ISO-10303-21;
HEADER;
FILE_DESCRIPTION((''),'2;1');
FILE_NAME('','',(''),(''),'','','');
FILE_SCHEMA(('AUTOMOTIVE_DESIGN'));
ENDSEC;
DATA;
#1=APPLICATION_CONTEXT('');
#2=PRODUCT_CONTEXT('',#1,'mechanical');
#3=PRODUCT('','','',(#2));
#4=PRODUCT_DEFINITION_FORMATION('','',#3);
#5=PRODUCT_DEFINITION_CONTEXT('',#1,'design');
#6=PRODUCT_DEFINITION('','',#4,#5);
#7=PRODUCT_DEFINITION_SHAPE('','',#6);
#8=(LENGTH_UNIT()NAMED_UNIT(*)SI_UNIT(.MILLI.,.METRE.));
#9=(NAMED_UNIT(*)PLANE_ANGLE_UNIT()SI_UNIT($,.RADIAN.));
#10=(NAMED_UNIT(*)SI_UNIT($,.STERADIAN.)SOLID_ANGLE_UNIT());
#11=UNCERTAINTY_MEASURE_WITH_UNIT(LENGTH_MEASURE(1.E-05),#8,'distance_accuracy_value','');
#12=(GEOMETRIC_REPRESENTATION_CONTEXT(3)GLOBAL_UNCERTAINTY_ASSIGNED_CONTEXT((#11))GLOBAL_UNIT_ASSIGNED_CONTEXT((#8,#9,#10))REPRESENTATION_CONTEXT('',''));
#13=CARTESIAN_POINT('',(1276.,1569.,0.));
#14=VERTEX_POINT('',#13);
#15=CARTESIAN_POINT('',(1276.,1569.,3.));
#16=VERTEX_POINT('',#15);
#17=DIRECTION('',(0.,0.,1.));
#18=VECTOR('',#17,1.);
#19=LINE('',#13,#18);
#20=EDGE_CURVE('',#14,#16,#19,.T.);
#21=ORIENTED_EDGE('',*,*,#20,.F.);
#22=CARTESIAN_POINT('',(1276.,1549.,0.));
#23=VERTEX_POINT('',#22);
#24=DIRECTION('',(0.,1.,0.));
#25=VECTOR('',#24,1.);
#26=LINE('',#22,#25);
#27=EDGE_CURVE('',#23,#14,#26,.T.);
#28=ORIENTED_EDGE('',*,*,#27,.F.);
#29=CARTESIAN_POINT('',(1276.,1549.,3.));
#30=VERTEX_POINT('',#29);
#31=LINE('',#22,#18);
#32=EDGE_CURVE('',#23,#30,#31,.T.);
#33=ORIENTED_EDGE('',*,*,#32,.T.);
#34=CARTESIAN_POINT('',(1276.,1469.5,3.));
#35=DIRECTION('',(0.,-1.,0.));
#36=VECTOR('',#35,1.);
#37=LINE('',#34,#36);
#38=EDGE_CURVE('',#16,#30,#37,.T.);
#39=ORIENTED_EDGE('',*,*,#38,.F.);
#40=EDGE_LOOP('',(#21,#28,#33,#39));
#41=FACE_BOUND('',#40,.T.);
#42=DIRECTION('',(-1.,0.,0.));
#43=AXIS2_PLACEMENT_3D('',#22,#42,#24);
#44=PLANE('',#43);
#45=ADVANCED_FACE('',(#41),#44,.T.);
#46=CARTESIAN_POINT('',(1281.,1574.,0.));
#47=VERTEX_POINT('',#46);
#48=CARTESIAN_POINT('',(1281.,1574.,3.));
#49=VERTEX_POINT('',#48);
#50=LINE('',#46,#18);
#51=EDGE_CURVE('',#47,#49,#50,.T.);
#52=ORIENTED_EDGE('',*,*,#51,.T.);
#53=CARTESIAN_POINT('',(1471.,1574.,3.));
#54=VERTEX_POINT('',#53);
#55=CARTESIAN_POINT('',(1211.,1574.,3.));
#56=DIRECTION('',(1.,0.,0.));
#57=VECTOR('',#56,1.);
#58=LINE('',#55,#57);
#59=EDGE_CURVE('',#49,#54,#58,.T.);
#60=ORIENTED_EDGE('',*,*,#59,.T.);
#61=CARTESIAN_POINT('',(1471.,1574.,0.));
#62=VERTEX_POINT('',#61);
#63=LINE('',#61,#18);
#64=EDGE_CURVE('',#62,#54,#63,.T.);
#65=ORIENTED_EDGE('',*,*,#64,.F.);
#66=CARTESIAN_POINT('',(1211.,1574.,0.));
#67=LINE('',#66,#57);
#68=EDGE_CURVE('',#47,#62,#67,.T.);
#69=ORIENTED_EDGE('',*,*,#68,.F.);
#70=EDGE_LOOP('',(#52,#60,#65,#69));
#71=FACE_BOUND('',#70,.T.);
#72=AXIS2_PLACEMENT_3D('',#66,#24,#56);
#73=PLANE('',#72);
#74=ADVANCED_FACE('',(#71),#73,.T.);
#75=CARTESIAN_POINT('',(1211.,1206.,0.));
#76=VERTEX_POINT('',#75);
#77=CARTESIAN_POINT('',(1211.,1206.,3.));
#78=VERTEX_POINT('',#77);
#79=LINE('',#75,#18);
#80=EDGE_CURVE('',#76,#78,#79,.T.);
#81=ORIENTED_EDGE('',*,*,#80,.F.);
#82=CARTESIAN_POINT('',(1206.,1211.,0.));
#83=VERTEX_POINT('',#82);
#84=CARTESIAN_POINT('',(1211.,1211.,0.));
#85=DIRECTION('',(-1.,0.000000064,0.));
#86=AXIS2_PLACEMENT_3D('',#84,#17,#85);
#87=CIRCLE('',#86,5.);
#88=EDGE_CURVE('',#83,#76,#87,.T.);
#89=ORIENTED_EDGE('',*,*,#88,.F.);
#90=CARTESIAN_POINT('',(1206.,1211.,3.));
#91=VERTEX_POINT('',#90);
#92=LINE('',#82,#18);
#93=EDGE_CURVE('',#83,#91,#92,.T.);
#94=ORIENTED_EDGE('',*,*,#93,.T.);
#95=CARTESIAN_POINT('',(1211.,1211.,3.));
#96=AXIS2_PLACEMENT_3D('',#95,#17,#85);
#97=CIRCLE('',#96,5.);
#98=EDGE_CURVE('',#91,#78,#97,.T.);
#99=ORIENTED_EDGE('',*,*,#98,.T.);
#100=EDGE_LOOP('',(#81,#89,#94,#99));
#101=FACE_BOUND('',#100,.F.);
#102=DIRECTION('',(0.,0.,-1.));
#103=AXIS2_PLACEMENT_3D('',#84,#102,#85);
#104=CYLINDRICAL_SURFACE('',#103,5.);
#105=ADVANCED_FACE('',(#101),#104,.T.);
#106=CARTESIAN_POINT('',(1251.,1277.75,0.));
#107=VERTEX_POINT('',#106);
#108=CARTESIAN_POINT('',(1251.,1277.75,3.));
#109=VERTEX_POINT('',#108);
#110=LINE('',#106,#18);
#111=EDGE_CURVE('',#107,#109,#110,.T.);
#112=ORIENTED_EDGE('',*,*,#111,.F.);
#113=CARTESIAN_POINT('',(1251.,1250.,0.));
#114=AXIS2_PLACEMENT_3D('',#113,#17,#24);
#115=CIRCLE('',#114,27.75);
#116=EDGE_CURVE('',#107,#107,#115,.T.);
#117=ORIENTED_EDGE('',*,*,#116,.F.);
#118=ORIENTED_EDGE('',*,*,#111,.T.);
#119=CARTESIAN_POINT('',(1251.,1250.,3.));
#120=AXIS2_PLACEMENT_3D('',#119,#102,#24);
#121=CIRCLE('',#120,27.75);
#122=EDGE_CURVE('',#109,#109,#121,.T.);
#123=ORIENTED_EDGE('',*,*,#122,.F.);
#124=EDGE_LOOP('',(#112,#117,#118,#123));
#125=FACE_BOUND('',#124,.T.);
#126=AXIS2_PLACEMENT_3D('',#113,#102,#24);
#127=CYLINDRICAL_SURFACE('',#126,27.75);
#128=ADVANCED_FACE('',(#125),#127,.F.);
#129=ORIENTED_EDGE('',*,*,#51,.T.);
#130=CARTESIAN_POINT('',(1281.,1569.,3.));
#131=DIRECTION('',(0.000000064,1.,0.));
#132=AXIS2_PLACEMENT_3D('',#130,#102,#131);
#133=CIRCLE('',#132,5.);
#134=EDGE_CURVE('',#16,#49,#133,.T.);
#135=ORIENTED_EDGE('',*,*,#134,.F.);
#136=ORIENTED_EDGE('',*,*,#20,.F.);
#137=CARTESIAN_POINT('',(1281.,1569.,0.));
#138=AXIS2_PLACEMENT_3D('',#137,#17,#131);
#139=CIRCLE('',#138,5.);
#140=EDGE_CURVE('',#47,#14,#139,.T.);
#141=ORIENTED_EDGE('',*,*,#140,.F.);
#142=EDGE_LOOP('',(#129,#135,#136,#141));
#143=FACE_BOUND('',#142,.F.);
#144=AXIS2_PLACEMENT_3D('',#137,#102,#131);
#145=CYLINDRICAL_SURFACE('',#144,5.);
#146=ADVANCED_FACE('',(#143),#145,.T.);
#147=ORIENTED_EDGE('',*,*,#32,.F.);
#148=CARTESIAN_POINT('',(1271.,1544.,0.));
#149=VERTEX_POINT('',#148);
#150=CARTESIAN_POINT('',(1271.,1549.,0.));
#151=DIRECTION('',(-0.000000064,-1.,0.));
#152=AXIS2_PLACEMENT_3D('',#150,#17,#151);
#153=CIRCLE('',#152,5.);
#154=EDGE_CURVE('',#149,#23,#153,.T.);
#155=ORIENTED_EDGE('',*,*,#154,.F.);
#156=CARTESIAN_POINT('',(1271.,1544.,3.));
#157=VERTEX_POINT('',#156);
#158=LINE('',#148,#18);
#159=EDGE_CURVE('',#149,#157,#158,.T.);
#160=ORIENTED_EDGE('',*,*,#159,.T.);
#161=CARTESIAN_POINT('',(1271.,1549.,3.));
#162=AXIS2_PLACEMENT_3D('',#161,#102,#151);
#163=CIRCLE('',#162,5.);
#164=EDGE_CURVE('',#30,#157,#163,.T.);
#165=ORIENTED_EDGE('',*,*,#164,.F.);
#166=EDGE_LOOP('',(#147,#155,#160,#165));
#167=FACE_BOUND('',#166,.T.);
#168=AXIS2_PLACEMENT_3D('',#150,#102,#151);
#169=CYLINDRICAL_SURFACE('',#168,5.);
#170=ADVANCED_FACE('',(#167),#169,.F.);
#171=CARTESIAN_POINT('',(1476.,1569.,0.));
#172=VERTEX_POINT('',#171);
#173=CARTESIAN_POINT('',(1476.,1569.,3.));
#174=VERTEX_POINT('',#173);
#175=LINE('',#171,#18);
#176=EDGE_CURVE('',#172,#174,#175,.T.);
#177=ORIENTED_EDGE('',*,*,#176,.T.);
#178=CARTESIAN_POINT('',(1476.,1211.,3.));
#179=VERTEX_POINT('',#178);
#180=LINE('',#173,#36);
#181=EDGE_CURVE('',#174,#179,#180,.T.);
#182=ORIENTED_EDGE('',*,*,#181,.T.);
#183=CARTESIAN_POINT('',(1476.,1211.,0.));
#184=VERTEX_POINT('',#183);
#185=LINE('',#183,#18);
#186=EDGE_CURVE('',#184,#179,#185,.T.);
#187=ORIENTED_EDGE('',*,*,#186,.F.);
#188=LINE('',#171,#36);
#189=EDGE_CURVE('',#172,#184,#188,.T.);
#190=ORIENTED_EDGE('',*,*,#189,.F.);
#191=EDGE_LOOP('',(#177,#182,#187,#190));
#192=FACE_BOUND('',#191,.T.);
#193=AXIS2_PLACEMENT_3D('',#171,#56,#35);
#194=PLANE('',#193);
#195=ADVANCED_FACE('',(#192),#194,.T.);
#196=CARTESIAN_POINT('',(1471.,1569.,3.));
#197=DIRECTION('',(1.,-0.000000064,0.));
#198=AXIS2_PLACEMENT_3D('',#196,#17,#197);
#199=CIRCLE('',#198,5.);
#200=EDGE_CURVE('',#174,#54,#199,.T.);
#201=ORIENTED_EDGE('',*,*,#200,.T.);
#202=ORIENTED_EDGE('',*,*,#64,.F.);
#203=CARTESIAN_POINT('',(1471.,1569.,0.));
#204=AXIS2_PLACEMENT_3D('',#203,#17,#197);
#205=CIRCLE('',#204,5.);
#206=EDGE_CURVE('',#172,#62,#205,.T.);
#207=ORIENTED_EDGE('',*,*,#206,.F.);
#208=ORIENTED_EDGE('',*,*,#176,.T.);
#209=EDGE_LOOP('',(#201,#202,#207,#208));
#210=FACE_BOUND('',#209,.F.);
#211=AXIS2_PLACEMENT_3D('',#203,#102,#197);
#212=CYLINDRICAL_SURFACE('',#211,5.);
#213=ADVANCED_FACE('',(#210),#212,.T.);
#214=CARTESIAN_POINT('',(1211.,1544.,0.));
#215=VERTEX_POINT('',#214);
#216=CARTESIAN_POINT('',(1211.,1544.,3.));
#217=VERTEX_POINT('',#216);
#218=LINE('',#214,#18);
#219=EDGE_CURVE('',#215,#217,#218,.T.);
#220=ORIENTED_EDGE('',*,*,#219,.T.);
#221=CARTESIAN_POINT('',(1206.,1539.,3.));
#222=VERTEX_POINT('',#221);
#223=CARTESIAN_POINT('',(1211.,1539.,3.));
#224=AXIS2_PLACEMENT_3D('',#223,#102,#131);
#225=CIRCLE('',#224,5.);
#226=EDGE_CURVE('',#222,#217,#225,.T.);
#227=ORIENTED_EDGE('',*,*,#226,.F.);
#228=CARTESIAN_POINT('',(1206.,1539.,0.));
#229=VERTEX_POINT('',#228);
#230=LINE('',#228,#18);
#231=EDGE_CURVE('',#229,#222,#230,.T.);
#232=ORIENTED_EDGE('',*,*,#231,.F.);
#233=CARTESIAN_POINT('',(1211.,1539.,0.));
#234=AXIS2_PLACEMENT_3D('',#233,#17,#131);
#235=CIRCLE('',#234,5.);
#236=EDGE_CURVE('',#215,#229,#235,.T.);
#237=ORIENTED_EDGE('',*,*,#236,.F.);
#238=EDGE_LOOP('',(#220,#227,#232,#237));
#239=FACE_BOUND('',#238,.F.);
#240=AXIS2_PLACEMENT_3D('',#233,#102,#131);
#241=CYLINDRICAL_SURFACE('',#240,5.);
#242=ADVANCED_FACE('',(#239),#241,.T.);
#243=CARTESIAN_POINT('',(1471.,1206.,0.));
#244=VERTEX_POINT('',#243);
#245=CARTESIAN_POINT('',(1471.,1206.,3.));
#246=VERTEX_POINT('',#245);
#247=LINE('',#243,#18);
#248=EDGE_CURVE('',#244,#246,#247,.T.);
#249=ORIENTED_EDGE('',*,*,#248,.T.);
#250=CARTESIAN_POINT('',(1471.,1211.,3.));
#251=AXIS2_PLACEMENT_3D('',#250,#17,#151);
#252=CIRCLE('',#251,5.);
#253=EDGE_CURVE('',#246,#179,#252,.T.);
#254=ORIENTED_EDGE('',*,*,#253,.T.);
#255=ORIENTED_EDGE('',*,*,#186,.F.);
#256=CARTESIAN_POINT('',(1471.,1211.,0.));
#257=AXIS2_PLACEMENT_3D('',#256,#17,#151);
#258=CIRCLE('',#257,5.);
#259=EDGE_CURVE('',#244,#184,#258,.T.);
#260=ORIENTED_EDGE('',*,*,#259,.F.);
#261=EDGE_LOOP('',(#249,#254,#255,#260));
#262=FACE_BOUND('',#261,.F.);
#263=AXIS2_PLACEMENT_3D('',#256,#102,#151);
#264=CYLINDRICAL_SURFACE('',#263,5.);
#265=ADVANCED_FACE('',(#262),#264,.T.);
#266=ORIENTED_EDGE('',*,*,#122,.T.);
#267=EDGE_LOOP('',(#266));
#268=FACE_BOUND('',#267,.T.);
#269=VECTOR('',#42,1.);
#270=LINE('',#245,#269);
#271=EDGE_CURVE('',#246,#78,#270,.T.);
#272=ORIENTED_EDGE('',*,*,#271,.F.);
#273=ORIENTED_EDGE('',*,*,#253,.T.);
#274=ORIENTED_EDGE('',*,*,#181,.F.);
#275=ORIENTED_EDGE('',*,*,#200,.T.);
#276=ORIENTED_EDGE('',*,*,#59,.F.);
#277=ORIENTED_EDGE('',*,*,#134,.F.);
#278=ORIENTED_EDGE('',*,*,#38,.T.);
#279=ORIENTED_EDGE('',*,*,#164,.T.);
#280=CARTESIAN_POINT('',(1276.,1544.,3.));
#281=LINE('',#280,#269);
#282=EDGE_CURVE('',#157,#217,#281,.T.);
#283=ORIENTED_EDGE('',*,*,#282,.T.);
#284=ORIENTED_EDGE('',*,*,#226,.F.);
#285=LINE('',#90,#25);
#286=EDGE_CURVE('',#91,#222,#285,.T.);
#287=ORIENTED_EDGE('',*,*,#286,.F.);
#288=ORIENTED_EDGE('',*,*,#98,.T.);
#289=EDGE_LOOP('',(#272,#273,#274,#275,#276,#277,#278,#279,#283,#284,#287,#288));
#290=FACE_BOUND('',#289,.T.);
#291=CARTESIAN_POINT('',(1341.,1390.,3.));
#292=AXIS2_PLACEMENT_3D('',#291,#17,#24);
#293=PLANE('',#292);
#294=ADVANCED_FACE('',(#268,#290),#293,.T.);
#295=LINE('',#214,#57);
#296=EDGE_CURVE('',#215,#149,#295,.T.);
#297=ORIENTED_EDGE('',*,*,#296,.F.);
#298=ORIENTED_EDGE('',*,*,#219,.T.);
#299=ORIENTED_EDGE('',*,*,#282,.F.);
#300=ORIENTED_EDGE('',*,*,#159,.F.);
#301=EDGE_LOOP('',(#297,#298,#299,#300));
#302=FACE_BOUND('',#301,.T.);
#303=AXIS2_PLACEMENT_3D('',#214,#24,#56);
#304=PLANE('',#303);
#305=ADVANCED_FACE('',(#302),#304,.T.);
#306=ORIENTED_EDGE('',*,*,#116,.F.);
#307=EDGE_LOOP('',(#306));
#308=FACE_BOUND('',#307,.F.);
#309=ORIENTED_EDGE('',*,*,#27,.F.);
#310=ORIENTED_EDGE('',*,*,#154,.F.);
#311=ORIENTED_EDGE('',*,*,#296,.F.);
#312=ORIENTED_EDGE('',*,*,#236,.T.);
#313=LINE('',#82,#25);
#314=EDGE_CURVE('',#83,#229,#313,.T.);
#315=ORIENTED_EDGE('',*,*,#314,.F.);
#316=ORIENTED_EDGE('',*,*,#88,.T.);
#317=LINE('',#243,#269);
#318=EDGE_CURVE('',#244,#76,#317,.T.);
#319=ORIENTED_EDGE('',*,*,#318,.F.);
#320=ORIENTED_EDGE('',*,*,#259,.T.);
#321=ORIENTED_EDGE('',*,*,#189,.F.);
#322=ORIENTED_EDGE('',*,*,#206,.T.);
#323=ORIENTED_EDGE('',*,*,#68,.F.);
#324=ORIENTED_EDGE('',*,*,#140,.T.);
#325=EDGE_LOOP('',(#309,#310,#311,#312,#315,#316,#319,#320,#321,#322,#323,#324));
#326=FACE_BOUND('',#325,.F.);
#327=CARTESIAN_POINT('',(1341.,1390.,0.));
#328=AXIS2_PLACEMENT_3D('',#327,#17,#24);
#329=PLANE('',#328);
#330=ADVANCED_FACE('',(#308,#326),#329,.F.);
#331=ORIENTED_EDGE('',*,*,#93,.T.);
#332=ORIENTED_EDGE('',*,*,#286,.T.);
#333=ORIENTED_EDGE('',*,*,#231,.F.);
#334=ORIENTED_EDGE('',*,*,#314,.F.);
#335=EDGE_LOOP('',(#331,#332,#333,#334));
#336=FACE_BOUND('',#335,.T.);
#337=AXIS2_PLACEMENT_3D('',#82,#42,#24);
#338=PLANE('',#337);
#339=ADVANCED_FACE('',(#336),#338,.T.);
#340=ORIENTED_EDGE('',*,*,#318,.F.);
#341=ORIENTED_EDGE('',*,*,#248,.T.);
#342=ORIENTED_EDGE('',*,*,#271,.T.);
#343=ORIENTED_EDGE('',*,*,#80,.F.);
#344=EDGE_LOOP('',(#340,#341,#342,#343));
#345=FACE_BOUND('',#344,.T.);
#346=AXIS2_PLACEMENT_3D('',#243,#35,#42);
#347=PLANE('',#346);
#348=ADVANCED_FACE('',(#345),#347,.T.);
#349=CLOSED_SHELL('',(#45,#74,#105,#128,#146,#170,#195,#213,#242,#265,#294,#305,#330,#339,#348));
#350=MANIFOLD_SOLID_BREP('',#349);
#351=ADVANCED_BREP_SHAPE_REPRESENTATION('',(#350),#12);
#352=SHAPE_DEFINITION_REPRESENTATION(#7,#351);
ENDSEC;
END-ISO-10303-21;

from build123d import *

# Parameters (mm, degrees)
PAD012_DEPTH            = 3
SKETCH090_R             = 27.75
POCKET039_DEPTH         = 0.001
POCKET039_DEPTH_BACK    = 3.001
POCKET040_DEPTH         = 0.001
POCKET040_DEPTH_BACK    = 3.001
BODY081_PLACEMENT_ANGLE = 90


with BuildPart() as part:
    # Sketch089 → Pad012 (new body)
    with BuildSketch(Plane.XY):
        with BuildLine():
            ThreePointArc((-184, -130), (-182.535534, -133.535534), (-179, -135))
            Line((179, -135), (-179, -135))
            ThreePointArc((179, -135), (182.535534, -133.535534), (184, -130))
            Line((184, 130), (184, -130))
            ThreePointArc((184, 130), (182.535534, 133.535534), (179, 135))
            Line((-179, 135), (179, 135))
            ThreePointArc((-179, 135), (-182.535534, 133.535534), (-184, 130))
            Line((-184, -130), (-184, 130))
        make_face()
    extrude(amount=PAD012_DEPTH)

    # Sketch090 → Pocket039 (cut, two sides)
    with BuildSketch(Plane(origin=(-140, 90, 0), x_dir=(1, 0, 0), z_dir=(0, 0, 1))) as pocket039_sk:
        Circle(SKETCH090_R)
    extrude(amount=-POCKET039_DEPTH, mode=Mode.SUBTRACT)
    extrude(pocket039_sk.sketch, amount=POCKET039_DEPTH_BACK, mode=Mode.SUBTRACT)

    # Sketch091 → Pocket040 (cut, two sides)
    with BuildSketch(Plane.XY) as pocket040_sk:
        with BuildLine():
            Line((184, 135), (149, 135))
            ThreePointArc((154, 130), (152.535534, 133.535534), (149, 135))
            Line((154, 130), (154, 70))
            ThreePointArc((154, 70), (155.464466, 66.464466), (159, 65))
            Line((159, 65), (179, 65))
            ThreePointArc((184, 60), (182.535534, 63.535534), (179, 65))
            Line((184, 60), (184, 135))
        make_face()
    extrude(amount=-POCKET040_DEPTH, mode=Mode.SUBTRACT)
    extrude(pocket040_sk.sketch, amount=POCKET040_DEPTH_BACK, mode=Mode.SUBTRACT)


with BuildPart() as part_1:
    # Body081 placement: moved
    add(part.part.moved(Location((1341, 1390, 0))).rotate(Axis((1341, 1390, 0), (0, 0, 1)), BODY081_PLACEMENT_ANGLE))


solid = part_1.part
